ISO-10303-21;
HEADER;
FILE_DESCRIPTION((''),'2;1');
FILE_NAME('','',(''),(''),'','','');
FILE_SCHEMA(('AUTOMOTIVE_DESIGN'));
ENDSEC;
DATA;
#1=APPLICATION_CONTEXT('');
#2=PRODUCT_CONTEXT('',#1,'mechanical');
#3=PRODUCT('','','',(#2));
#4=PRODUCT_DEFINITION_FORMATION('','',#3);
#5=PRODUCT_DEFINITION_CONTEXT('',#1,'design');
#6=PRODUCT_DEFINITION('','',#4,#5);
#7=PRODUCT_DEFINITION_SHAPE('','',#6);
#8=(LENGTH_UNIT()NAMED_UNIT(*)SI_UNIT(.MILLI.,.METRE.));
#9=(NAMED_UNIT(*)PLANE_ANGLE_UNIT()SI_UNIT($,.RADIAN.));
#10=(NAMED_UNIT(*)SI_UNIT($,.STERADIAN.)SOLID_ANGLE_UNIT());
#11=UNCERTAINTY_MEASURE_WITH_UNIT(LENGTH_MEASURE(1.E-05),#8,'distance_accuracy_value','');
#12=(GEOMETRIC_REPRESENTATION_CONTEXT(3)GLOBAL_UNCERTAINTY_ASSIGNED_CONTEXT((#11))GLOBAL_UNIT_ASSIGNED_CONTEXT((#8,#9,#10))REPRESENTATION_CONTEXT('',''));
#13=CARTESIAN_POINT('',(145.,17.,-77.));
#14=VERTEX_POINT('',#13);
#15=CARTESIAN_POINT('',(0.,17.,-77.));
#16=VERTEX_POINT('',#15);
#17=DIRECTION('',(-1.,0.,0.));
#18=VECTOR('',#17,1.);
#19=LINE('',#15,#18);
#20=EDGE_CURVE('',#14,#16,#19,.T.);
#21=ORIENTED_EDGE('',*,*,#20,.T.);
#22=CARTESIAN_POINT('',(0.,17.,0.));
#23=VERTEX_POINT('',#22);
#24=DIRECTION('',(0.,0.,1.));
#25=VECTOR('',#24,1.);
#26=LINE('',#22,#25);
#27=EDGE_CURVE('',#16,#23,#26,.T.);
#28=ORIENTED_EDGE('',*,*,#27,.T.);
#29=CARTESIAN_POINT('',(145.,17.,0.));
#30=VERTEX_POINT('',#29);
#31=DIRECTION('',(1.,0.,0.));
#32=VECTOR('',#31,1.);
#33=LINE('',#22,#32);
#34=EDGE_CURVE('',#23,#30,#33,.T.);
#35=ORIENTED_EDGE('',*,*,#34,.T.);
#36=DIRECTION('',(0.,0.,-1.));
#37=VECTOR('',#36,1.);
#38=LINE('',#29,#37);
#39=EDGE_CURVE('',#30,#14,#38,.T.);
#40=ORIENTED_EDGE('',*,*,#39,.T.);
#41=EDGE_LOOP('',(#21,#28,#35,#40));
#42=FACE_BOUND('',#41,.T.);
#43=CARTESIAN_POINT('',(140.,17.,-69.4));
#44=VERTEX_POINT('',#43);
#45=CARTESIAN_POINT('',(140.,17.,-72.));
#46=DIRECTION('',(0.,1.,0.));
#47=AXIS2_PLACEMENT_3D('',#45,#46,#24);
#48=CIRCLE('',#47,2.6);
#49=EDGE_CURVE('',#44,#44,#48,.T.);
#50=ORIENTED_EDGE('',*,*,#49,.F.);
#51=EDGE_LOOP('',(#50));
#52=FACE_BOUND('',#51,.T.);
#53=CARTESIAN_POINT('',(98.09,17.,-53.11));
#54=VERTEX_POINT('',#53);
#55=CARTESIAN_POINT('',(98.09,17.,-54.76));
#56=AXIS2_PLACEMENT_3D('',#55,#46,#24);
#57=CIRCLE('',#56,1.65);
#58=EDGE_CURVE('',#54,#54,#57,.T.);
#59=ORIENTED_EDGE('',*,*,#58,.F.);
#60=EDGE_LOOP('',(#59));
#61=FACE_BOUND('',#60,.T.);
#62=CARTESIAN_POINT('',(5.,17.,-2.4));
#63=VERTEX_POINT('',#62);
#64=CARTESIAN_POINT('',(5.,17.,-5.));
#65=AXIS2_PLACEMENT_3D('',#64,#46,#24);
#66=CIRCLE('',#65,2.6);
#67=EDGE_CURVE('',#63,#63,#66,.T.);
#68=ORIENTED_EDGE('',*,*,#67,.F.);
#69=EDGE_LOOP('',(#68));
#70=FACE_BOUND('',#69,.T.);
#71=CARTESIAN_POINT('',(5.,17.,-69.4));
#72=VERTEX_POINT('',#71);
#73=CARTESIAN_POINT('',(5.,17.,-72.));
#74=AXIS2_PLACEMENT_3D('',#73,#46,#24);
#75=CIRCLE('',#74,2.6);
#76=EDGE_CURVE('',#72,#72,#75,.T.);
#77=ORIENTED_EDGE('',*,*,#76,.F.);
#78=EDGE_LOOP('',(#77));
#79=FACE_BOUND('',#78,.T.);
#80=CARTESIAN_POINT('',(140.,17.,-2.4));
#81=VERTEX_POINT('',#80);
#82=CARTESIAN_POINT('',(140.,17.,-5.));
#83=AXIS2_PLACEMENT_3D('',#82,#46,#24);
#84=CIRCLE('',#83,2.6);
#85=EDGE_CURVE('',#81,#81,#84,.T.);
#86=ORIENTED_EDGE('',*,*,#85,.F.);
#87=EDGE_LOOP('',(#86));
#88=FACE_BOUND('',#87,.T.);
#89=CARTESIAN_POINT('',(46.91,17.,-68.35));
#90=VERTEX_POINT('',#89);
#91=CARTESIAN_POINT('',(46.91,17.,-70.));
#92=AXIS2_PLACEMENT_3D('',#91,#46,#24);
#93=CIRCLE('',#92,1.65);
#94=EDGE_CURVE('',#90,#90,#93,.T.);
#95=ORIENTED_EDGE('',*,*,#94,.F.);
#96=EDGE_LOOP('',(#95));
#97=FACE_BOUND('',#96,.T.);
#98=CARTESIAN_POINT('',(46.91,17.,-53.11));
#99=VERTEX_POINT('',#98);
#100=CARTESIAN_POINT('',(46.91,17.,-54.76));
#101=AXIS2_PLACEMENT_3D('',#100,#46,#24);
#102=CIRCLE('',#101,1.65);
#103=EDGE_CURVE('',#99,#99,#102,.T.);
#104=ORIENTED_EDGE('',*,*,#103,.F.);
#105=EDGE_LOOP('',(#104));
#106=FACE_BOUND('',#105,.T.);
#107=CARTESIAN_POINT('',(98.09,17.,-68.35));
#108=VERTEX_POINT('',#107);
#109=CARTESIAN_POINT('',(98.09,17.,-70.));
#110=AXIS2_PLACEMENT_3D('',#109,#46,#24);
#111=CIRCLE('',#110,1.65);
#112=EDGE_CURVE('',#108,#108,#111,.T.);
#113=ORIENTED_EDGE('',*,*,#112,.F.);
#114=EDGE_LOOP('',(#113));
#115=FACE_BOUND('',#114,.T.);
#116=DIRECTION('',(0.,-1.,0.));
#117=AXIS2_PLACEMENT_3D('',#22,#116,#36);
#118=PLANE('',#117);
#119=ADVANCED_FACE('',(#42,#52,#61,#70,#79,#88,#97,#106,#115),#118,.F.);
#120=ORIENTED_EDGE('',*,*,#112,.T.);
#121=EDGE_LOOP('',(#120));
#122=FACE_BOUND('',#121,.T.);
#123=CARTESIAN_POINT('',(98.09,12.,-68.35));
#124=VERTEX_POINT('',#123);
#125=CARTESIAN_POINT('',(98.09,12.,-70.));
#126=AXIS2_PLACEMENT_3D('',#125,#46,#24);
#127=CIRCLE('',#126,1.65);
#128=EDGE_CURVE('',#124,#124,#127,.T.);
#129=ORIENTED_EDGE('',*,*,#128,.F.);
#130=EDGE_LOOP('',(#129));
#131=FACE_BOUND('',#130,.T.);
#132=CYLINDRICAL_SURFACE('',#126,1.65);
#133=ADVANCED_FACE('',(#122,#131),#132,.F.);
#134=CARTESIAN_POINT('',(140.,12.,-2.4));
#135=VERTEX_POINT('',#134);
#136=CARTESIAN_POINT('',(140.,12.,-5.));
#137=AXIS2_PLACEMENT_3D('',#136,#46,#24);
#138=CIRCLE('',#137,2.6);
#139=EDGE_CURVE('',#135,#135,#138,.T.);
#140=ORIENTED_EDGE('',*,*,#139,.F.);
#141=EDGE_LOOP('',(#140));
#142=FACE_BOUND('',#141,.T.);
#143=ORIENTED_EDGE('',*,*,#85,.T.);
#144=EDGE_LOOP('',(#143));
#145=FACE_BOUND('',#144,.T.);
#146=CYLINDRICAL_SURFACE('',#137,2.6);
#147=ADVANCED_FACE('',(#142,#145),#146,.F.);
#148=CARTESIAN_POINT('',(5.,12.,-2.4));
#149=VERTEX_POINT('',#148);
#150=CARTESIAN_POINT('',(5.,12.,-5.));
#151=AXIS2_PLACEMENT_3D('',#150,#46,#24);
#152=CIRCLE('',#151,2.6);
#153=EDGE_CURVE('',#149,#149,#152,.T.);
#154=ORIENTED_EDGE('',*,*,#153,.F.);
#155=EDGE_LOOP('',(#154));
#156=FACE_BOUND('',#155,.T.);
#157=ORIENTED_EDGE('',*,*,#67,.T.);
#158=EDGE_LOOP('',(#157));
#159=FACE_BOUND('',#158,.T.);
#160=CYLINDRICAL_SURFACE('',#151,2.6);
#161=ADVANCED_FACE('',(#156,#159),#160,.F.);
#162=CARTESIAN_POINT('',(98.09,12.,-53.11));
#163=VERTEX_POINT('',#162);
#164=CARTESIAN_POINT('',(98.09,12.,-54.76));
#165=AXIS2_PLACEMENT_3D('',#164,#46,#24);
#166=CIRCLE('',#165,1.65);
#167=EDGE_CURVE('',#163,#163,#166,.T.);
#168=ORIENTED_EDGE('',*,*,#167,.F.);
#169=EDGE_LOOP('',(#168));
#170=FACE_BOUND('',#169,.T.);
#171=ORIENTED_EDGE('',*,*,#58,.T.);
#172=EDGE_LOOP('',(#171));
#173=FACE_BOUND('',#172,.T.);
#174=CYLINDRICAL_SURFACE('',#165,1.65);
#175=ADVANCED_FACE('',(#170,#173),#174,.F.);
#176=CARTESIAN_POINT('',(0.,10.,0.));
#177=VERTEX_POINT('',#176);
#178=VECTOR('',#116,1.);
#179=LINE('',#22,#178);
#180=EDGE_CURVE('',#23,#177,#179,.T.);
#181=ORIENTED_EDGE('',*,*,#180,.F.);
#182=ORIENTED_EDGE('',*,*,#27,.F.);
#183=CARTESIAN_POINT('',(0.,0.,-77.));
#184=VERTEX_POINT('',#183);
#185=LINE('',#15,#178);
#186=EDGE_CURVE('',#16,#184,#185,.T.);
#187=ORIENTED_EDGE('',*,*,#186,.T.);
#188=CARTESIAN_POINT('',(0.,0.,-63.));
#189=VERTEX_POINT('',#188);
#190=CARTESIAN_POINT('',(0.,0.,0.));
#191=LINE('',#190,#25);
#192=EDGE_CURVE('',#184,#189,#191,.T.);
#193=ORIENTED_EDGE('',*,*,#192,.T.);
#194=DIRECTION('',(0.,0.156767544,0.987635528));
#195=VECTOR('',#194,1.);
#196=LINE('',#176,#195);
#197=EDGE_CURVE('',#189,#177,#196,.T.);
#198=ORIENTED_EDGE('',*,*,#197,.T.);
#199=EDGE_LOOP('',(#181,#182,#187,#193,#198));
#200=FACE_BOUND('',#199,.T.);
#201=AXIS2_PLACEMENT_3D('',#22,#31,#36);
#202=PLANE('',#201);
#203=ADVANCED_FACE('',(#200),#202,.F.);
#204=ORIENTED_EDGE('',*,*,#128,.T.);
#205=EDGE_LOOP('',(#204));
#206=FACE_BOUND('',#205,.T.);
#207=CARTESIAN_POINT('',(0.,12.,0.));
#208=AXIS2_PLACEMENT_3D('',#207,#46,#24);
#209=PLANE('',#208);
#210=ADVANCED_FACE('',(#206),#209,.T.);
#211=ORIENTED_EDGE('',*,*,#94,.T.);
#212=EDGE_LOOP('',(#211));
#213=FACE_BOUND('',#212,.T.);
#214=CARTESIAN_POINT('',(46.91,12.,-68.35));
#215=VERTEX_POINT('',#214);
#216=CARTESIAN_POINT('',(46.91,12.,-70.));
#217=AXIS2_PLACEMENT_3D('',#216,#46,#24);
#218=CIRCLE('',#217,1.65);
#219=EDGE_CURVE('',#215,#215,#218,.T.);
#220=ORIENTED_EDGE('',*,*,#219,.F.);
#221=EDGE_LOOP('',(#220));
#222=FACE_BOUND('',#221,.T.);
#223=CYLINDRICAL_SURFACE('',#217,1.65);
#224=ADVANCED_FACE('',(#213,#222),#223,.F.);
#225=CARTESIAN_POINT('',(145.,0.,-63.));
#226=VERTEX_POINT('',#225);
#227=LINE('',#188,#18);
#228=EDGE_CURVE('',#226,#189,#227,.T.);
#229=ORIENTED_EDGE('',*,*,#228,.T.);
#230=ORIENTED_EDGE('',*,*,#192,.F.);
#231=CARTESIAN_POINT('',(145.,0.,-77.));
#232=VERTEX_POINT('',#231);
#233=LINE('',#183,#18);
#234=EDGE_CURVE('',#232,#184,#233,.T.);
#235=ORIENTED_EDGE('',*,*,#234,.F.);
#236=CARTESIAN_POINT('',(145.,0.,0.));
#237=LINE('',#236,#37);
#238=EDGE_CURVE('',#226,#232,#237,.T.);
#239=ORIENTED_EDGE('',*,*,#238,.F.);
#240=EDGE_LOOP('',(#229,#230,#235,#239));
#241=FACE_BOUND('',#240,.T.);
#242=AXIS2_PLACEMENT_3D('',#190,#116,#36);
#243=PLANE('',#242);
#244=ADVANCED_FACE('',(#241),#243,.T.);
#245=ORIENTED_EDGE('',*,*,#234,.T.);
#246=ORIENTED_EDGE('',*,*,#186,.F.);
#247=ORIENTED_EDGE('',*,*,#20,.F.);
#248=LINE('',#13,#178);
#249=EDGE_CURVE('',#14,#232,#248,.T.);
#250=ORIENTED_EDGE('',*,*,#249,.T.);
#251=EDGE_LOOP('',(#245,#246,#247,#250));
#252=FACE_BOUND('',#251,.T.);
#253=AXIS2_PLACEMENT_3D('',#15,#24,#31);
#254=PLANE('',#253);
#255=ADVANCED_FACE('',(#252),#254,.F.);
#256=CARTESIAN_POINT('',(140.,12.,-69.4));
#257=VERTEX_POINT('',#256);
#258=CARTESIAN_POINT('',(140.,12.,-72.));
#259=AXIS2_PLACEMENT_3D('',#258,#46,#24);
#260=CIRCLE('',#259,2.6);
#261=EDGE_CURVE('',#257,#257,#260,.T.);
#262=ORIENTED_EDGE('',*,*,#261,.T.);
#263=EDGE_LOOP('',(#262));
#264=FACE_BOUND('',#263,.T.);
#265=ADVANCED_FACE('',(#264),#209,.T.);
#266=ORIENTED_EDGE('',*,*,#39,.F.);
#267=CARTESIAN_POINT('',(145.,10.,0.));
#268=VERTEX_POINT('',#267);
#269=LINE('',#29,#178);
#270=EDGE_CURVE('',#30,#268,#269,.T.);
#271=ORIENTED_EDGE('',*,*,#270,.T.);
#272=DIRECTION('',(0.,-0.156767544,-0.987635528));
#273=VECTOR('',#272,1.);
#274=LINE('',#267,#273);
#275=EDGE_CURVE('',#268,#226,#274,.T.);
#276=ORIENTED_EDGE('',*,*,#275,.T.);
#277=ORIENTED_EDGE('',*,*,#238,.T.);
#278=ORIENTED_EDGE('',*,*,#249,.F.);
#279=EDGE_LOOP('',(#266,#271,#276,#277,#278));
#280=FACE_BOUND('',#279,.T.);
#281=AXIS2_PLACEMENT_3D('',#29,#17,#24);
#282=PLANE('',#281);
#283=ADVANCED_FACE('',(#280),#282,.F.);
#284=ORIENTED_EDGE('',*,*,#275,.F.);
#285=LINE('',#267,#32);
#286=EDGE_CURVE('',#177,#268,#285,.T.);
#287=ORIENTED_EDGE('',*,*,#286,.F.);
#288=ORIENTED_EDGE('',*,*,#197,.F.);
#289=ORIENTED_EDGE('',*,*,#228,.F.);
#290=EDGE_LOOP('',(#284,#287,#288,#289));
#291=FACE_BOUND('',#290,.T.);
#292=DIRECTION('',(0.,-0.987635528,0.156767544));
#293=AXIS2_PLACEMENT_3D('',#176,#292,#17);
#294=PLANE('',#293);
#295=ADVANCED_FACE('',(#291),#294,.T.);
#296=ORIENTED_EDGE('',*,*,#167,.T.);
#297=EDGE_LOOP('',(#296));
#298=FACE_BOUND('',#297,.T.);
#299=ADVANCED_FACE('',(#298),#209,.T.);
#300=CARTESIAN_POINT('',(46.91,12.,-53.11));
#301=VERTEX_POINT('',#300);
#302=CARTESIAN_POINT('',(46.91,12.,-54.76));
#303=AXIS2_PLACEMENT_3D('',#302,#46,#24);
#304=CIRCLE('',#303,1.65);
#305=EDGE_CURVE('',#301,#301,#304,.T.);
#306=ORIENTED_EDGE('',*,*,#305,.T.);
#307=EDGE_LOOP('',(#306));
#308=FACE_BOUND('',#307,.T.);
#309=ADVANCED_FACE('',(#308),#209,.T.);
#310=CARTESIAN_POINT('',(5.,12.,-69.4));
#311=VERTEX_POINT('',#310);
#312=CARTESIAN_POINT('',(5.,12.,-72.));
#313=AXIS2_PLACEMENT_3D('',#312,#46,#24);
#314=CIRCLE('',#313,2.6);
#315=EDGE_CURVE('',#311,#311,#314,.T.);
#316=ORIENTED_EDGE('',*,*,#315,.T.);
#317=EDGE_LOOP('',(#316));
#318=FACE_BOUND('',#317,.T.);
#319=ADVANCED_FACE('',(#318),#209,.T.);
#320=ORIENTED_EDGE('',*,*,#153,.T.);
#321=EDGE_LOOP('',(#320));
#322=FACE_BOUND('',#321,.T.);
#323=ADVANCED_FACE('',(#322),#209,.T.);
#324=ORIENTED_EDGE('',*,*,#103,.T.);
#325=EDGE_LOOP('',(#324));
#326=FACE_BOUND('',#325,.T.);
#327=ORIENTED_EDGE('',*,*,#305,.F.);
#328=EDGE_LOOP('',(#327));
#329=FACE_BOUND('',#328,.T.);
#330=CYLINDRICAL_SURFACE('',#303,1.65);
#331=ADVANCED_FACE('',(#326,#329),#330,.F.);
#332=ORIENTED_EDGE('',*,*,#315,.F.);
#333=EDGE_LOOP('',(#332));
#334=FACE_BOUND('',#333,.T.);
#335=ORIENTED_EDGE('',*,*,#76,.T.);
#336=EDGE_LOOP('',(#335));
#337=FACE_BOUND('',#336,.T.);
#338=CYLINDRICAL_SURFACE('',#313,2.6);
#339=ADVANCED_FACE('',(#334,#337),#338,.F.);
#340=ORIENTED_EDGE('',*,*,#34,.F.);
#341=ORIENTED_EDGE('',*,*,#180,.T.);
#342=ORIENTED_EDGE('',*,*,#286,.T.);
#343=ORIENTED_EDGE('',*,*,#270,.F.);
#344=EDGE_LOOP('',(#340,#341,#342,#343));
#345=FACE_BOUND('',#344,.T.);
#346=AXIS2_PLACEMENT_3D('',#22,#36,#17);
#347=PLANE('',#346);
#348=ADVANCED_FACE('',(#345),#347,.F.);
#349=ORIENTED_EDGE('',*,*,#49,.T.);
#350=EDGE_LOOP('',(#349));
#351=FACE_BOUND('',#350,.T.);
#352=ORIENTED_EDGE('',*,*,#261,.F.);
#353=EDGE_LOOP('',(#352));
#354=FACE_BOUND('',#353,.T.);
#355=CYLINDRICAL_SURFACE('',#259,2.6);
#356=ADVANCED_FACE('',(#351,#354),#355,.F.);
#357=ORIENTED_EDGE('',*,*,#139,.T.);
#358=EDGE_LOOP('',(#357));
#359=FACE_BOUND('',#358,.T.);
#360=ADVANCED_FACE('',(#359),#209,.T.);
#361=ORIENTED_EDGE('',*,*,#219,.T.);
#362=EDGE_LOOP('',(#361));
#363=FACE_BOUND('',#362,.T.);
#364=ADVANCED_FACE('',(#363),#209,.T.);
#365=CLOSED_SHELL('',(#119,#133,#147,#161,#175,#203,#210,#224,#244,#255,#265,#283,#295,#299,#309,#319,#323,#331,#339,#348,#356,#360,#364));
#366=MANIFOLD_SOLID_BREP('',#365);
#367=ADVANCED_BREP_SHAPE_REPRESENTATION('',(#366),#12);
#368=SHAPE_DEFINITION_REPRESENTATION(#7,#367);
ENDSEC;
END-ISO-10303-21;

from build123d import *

# Parameters (mm, degrees)
SKETCH5_W           = 145
SKETCH5_H           = 77
BOSS_EXTRUDE2_DEPTH = 17
CHAMFER2_SIZE       = 63
CHAMFER2_SIZE2      = 10
SKETCH1_R           = 2.6
SKETCH1_R_2         = 1.65
CUT_EXTRUDE1_DEPTH  = 5


with BuildPart() as part:
    # Sketch5 → Boss-Extrude2 (new body)
    with BuildSketch(Plane(origin=(0, 0, 0), x_dir=(1, 0, 0), z_dir=(0, 1, 0))):
        with Locations((72.5, 38.5)):
            Rectangle(SKETCH5_W, SKETCH5_H)
    extrude(amount=BOSS_EXTRUDE2_DEPTH)

    # Chamfer2
    chamfer2_edges = [part.edges().sort_by_distance(p)[0] for p in [
        (72.5, 0, 0),
    ]]
    chamfer2_side = [part.faces().sort_by_distance(p)[0] for p in [
        (72.5, 0, -38.5),
    ]]
    chamfer(chamfer2_edges, length=CHAMFER2_SIZE, length2=CHAMFER2_SIZE2, reference=chamfer2_side[0])

    # Sketch1 → Cut-Extrude1 (cut)
    with BuildSketch(Plane(origin=(0, 17, 0), x_dir=(1, 0, 0), z_dir=(0, 1, 0))):
        with Locations(Location((5, 72, 0), (0, 0, 270))):
            Circle(SKETCH1_R)
        with Locations(Location((5, 5, 0), (0, 0, 270))):
            Circle(SKETCH1_R)
        with Locations(Location((140, 5, 0), (0, 0, 270))):
            Circle(SKETCH1_R)
        with Locations(Location((140, 72, 0), (0, 0, 270))):
            Circle(SKETCH1_R)
        with Locations(Location((46.91, 70, 0), (0, 0, 270))):
            Circle(SKETCH1_R_2)
        with Locations(Location((46.91, 54.76, 0), (0, 0, 270))):
            Circle(SKETCH1_R_2)
        with Locations(Location((98.09, 70, 0), (0, 0, 270))):
            Circle(SKETCH1_R_2)
        with Locations(Location((98.09, 54.76, 0), (0, 0, 270))):
            Circle(SKETCH1_R_2)
    extrude(amount=-CUT_EXTRUDE1_DEPTH, mode=Mode.SUBTRACT)


solid = part.part
